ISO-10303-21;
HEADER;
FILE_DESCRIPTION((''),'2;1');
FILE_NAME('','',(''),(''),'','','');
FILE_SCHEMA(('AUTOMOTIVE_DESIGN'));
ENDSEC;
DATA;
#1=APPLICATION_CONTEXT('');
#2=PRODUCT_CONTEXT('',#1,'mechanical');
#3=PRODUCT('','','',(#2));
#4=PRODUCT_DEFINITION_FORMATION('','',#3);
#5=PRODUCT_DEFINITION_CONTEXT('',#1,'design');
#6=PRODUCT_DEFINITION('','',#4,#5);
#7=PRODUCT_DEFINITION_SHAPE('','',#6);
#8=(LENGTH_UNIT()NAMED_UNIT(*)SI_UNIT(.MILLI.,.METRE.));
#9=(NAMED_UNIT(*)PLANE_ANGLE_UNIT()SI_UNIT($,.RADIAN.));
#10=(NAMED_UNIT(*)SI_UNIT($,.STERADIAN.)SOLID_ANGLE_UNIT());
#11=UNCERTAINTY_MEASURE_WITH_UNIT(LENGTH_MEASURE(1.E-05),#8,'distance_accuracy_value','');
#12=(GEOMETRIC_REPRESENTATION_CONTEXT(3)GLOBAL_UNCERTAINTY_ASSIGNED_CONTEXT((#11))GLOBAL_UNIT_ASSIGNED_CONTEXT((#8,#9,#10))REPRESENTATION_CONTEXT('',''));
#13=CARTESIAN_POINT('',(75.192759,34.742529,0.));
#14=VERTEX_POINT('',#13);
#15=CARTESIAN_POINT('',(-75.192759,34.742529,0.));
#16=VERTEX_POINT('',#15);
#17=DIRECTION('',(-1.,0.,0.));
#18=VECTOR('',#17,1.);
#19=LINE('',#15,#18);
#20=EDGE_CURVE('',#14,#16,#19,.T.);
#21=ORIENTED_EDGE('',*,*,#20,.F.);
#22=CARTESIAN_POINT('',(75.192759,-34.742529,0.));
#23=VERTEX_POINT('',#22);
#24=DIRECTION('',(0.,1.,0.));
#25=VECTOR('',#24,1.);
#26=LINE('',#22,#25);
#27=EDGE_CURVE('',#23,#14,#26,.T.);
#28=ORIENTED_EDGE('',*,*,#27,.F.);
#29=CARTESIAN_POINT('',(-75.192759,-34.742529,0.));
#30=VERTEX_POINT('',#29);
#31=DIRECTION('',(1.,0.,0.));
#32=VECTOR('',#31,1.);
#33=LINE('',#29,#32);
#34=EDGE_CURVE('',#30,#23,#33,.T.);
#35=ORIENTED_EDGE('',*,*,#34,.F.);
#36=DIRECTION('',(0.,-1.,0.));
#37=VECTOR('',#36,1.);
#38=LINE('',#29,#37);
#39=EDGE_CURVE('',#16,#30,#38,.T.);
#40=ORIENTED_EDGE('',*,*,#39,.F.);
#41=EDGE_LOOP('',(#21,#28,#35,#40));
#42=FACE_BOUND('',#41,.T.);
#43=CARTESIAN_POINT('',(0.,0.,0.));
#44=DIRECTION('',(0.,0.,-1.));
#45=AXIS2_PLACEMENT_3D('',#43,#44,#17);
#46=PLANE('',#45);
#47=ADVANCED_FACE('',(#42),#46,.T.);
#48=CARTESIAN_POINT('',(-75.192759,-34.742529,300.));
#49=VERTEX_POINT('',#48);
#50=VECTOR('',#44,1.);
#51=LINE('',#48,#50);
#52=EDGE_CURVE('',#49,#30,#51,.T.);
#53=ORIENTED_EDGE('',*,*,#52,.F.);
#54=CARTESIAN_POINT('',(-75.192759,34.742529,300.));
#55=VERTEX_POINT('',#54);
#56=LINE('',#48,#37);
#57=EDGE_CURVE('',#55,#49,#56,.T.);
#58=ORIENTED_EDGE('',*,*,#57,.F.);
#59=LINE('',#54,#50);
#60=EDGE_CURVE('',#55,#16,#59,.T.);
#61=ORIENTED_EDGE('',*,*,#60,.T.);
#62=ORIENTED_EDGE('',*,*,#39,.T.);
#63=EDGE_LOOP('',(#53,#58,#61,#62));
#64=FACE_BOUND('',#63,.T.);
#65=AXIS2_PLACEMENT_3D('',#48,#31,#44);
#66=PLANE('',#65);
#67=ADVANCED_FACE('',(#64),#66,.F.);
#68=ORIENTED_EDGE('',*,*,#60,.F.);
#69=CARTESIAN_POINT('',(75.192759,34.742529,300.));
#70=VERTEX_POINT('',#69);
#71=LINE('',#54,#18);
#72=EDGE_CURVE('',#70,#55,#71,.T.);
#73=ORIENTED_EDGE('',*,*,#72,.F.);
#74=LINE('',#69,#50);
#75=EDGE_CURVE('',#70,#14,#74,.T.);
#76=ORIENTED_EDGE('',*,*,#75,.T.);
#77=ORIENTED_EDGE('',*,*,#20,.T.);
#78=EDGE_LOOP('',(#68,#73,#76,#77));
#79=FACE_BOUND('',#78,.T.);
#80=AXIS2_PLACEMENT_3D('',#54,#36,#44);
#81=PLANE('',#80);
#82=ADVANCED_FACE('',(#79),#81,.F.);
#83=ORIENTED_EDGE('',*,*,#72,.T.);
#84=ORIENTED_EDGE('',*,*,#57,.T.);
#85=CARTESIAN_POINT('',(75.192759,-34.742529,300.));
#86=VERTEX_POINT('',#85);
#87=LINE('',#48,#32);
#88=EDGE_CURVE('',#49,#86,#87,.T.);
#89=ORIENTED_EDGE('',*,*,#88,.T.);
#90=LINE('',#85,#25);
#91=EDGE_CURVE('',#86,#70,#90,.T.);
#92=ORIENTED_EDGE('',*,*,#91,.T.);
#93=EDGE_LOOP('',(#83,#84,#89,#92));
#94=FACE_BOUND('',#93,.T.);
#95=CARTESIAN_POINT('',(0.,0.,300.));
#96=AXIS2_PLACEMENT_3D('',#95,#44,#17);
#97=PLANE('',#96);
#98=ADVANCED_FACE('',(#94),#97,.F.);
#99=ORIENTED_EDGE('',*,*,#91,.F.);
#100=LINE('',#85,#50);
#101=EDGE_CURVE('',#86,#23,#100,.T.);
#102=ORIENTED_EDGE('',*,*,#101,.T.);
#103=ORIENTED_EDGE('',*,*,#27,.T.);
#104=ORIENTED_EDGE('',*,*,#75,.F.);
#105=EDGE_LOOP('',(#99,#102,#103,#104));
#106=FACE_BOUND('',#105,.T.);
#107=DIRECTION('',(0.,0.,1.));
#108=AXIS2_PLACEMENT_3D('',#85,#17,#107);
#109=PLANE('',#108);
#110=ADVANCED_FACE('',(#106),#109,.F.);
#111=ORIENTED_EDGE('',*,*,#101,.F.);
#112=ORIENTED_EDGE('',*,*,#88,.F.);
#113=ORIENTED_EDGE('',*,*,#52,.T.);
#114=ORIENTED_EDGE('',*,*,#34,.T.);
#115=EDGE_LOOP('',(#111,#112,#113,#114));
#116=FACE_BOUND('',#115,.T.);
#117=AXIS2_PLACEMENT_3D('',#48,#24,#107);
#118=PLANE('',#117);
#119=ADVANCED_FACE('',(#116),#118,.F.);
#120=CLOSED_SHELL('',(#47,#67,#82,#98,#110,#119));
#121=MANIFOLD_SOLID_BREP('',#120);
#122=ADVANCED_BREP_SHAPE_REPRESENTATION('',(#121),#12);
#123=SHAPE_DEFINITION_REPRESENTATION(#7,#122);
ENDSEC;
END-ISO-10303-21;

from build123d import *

# Parameters (mm, degrees)
SKETCH_1_W      = 150.385517242
SKETCH_1_H      = 69.485057472
EXTRUDE_1_DEPTH = 300


with BuildPart() as part:
    # 草图1 → 凸台-拉伸1 (new body)
    with BuildSketch(Plane.XY):
        Rectangle(SKETCH_1_W, SKETCH_1_H)
    extrude(amount=EXTRUDE_1_DEPTH)


solid = part.part
